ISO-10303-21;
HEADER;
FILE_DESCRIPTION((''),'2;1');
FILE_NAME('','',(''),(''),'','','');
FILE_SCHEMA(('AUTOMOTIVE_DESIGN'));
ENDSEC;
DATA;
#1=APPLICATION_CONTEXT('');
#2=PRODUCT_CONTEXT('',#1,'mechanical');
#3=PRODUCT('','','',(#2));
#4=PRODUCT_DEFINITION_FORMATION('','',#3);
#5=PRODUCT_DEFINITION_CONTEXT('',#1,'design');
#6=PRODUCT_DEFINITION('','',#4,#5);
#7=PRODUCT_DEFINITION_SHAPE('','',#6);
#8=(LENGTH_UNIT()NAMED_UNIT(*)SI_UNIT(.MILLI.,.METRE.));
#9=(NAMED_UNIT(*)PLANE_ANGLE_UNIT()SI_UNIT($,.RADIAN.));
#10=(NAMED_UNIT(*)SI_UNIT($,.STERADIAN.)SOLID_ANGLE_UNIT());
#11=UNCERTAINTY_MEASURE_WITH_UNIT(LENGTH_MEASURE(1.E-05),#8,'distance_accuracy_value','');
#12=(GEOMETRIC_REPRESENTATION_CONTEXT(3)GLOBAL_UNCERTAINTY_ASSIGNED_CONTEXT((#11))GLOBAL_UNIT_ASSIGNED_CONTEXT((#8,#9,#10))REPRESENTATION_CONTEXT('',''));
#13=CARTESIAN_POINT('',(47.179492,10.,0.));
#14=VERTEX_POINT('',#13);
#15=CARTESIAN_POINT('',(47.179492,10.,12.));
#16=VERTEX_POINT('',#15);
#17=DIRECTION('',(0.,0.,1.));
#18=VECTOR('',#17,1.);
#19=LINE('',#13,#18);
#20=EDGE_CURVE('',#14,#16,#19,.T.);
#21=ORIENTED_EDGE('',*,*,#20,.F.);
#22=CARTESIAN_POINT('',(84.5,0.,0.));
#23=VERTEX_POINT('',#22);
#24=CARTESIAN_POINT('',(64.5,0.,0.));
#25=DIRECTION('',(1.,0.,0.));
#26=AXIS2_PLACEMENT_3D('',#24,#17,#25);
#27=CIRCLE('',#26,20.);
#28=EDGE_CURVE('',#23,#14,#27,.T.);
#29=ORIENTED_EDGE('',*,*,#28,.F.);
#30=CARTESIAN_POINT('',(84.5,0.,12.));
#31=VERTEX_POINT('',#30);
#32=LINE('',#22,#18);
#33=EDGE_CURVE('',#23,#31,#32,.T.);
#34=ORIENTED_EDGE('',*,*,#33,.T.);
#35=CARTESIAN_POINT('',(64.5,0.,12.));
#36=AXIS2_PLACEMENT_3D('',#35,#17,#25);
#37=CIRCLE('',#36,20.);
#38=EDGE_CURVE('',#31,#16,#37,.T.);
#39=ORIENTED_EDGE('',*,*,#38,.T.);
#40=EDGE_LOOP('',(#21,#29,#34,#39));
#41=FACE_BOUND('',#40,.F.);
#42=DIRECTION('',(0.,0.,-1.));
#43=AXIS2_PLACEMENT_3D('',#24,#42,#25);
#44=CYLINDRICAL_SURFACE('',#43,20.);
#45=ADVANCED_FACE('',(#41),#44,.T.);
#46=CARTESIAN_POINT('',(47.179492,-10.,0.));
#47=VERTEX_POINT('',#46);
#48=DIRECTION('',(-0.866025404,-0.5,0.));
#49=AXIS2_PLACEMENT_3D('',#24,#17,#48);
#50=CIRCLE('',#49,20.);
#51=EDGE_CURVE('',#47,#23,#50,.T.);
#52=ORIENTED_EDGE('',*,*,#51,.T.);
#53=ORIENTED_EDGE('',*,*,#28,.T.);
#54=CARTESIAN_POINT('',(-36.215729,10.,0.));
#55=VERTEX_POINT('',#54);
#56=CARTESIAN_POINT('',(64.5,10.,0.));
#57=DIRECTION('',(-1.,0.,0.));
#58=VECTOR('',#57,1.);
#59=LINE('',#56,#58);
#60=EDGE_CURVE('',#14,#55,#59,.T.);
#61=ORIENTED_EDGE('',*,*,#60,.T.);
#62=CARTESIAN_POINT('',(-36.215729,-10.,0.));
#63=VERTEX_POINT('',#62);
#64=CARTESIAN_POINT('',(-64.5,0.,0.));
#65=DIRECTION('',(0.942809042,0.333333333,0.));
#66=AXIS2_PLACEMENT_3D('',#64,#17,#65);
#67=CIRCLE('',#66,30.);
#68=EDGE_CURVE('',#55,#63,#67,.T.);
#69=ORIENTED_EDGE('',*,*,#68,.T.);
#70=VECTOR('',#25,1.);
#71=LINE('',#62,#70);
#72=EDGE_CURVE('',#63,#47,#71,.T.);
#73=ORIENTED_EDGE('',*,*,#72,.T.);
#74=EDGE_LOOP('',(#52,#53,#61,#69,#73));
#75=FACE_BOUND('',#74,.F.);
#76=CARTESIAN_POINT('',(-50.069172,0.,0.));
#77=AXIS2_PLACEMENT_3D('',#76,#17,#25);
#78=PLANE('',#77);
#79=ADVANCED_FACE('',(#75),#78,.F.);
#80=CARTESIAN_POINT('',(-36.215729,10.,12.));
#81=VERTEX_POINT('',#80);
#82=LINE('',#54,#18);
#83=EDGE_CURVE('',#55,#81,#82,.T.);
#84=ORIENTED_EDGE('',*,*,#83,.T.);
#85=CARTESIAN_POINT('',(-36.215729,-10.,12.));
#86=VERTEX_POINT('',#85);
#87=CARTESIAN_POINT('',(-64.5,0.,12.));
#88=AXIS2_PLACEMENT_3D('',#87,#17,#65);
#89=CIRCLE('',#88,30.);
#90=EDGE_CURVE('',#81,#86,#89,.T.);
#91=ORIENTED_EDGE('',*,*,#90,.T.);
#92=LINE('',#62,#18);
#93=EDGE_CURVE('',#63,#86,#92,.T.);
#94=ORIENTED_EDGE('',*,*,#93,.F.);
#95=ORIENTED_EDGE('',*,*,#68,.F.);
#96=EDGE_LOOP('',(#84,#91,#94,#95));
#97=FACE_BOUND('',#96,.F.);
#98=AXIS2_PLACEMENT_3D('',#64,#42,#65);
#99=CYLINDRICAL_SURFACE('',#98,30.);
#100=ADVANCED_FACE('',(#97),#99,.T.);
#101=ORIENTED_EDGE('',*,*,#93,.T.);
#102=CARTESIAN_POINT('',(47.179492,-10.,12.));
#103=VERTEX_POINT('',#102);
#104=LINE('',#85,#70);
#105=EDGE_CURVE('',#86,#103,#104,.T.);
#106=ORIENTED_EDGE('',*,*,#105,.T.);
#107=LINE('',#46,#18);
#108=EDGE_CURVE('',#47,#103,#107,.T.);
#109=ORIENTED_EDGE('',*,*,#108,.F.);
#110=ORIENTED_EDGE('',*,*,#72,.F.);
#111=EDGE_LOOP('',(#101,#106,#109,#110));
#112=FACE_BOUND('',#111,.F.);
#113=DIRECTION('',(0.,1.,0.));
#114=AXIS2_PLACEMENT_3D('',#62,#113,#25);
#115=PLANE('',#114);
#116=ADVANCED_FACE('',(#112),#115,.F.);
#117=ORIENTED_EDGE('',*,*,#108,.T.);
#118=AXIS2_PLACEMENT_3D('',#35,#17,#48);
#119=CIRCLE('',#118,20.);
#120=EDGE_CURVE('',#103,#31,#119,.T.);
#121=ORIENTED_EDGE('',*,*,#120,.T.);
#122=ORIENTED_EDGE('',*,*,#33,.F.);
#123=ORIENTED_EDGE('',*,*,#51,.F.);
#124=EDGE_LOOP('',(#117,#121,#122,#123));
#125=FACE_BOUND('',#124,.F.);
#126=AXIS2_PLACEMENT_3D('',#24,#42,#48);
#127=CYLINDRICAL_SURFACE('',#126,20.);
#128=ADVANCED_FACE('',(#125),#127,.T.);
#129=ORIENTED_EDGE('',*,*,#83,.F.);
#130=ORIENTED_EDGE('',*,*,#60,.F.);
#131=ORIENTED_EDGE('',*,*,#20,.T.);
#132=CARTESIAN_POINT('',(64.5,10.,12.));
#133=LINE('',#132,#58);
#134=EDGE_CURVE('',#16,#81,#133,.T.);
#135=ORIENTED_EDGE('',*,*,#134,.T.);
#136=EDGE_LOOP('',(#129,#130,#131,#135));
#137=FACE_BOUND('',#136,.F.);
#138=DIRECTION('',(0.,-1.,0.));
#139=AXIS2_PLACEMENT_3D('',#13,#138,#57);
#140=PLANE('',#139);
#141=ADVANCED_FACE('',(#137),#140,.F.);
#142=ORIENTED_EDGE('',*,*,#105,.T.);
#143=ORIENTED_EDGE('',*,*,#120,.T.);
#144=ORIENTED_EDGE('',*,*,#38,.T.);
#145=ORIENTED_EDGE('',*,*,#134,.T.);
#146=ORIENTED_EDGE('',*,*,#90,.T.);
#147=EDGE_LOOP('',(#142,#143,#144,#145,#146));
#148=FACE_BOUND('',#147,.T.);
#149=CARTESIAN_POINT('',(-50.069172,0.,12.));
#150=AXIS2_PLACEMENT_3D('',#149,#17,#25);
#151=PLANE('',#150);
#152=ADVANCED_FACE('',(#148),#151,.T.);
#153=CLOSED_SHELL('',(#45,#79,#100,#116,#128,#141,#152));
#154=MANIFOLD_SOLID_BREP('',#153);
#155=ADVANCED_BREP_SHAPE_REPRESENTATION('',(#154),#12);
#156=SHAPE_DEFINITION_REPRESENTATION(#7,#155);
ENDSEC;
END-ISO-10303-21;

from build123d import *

# Parameters (mm, degrees)
F1_DEPTH = 12


with BuildPart() as f1:
    # F0 (on Top) → F1 (new body)
    with BuildSketch(Plane.XY):
        with BuildLine():
            Line((-64.5, 10), (-64.5, -10))
            Line((-64.5, -10), (-36.2157287525, -10))
            ThreePointArc((-36.2157287525, -10), (-34.9320432104, -5.0730593618), (-34.5, 0))
            ThreePointArc((-34.5, 0), (-34.9320432104, 5.0730593618), (-36.2157287525, 10))
            Line((-36.2157287525, 10), (-64.5, 10))
        make_face()
        with BuildLine():
            Line((-36.2157287525, -10), (-64.5, -10))
            Line((-64.5, -10), (-64.5, 10))
            Line((-64.5, 10), (-36.2157287525, 10))
            ThreePointArc((-36.2157287525, 10), (-94.5, 0), (-36.2157287525, -10))
        make_face()
        with BuildLine():
            ThreePointArc((-34.5, 0), (-34.9320432104, -5.0730593618), (-36.2157287525, -10))
            Line((-36.2157287525, -10), (47.1794919243, -10))
            ThreePointArc((47.1794919243, -10), (44.5, 0), (47.1794919243, 10))
            Line((47.1794919243, 10), (-36.2157287525, 10))
            ThreePointArc((-36.2157287525, 10), (-34.9320432104, 5.0730593618), (-34.5, 0))
        make_face()
        with BuildLine():
            ThreePointArc((47.1794919243, 10), (44.5, 0), (47.1794919243, -10))
            Line((47.1794919243, -10), (64.5, -10))
            Line((64.5, -10), (64.5, 10))
            Line((64.5, 10), (47.1794919243, 10))
        make_face()
        with BuildLine():
            Line((64.5, -10), (47.1794919243, -10))
            ThreePointArc((47.1794919243, -10), (69.6763809021, -19.3185165258), (84.5, 0))
            ThreePointArc((84.5, 0), (69.6763809021, 19.3185165258), (47.1794919243, 10))
            Line((47.1794919243, 10), (64.5, 10))
            Line((64.5, 10), (64.5, -10))
        make_face()
    extrude(amount=F1_DEPTH)


solid = f1.part
